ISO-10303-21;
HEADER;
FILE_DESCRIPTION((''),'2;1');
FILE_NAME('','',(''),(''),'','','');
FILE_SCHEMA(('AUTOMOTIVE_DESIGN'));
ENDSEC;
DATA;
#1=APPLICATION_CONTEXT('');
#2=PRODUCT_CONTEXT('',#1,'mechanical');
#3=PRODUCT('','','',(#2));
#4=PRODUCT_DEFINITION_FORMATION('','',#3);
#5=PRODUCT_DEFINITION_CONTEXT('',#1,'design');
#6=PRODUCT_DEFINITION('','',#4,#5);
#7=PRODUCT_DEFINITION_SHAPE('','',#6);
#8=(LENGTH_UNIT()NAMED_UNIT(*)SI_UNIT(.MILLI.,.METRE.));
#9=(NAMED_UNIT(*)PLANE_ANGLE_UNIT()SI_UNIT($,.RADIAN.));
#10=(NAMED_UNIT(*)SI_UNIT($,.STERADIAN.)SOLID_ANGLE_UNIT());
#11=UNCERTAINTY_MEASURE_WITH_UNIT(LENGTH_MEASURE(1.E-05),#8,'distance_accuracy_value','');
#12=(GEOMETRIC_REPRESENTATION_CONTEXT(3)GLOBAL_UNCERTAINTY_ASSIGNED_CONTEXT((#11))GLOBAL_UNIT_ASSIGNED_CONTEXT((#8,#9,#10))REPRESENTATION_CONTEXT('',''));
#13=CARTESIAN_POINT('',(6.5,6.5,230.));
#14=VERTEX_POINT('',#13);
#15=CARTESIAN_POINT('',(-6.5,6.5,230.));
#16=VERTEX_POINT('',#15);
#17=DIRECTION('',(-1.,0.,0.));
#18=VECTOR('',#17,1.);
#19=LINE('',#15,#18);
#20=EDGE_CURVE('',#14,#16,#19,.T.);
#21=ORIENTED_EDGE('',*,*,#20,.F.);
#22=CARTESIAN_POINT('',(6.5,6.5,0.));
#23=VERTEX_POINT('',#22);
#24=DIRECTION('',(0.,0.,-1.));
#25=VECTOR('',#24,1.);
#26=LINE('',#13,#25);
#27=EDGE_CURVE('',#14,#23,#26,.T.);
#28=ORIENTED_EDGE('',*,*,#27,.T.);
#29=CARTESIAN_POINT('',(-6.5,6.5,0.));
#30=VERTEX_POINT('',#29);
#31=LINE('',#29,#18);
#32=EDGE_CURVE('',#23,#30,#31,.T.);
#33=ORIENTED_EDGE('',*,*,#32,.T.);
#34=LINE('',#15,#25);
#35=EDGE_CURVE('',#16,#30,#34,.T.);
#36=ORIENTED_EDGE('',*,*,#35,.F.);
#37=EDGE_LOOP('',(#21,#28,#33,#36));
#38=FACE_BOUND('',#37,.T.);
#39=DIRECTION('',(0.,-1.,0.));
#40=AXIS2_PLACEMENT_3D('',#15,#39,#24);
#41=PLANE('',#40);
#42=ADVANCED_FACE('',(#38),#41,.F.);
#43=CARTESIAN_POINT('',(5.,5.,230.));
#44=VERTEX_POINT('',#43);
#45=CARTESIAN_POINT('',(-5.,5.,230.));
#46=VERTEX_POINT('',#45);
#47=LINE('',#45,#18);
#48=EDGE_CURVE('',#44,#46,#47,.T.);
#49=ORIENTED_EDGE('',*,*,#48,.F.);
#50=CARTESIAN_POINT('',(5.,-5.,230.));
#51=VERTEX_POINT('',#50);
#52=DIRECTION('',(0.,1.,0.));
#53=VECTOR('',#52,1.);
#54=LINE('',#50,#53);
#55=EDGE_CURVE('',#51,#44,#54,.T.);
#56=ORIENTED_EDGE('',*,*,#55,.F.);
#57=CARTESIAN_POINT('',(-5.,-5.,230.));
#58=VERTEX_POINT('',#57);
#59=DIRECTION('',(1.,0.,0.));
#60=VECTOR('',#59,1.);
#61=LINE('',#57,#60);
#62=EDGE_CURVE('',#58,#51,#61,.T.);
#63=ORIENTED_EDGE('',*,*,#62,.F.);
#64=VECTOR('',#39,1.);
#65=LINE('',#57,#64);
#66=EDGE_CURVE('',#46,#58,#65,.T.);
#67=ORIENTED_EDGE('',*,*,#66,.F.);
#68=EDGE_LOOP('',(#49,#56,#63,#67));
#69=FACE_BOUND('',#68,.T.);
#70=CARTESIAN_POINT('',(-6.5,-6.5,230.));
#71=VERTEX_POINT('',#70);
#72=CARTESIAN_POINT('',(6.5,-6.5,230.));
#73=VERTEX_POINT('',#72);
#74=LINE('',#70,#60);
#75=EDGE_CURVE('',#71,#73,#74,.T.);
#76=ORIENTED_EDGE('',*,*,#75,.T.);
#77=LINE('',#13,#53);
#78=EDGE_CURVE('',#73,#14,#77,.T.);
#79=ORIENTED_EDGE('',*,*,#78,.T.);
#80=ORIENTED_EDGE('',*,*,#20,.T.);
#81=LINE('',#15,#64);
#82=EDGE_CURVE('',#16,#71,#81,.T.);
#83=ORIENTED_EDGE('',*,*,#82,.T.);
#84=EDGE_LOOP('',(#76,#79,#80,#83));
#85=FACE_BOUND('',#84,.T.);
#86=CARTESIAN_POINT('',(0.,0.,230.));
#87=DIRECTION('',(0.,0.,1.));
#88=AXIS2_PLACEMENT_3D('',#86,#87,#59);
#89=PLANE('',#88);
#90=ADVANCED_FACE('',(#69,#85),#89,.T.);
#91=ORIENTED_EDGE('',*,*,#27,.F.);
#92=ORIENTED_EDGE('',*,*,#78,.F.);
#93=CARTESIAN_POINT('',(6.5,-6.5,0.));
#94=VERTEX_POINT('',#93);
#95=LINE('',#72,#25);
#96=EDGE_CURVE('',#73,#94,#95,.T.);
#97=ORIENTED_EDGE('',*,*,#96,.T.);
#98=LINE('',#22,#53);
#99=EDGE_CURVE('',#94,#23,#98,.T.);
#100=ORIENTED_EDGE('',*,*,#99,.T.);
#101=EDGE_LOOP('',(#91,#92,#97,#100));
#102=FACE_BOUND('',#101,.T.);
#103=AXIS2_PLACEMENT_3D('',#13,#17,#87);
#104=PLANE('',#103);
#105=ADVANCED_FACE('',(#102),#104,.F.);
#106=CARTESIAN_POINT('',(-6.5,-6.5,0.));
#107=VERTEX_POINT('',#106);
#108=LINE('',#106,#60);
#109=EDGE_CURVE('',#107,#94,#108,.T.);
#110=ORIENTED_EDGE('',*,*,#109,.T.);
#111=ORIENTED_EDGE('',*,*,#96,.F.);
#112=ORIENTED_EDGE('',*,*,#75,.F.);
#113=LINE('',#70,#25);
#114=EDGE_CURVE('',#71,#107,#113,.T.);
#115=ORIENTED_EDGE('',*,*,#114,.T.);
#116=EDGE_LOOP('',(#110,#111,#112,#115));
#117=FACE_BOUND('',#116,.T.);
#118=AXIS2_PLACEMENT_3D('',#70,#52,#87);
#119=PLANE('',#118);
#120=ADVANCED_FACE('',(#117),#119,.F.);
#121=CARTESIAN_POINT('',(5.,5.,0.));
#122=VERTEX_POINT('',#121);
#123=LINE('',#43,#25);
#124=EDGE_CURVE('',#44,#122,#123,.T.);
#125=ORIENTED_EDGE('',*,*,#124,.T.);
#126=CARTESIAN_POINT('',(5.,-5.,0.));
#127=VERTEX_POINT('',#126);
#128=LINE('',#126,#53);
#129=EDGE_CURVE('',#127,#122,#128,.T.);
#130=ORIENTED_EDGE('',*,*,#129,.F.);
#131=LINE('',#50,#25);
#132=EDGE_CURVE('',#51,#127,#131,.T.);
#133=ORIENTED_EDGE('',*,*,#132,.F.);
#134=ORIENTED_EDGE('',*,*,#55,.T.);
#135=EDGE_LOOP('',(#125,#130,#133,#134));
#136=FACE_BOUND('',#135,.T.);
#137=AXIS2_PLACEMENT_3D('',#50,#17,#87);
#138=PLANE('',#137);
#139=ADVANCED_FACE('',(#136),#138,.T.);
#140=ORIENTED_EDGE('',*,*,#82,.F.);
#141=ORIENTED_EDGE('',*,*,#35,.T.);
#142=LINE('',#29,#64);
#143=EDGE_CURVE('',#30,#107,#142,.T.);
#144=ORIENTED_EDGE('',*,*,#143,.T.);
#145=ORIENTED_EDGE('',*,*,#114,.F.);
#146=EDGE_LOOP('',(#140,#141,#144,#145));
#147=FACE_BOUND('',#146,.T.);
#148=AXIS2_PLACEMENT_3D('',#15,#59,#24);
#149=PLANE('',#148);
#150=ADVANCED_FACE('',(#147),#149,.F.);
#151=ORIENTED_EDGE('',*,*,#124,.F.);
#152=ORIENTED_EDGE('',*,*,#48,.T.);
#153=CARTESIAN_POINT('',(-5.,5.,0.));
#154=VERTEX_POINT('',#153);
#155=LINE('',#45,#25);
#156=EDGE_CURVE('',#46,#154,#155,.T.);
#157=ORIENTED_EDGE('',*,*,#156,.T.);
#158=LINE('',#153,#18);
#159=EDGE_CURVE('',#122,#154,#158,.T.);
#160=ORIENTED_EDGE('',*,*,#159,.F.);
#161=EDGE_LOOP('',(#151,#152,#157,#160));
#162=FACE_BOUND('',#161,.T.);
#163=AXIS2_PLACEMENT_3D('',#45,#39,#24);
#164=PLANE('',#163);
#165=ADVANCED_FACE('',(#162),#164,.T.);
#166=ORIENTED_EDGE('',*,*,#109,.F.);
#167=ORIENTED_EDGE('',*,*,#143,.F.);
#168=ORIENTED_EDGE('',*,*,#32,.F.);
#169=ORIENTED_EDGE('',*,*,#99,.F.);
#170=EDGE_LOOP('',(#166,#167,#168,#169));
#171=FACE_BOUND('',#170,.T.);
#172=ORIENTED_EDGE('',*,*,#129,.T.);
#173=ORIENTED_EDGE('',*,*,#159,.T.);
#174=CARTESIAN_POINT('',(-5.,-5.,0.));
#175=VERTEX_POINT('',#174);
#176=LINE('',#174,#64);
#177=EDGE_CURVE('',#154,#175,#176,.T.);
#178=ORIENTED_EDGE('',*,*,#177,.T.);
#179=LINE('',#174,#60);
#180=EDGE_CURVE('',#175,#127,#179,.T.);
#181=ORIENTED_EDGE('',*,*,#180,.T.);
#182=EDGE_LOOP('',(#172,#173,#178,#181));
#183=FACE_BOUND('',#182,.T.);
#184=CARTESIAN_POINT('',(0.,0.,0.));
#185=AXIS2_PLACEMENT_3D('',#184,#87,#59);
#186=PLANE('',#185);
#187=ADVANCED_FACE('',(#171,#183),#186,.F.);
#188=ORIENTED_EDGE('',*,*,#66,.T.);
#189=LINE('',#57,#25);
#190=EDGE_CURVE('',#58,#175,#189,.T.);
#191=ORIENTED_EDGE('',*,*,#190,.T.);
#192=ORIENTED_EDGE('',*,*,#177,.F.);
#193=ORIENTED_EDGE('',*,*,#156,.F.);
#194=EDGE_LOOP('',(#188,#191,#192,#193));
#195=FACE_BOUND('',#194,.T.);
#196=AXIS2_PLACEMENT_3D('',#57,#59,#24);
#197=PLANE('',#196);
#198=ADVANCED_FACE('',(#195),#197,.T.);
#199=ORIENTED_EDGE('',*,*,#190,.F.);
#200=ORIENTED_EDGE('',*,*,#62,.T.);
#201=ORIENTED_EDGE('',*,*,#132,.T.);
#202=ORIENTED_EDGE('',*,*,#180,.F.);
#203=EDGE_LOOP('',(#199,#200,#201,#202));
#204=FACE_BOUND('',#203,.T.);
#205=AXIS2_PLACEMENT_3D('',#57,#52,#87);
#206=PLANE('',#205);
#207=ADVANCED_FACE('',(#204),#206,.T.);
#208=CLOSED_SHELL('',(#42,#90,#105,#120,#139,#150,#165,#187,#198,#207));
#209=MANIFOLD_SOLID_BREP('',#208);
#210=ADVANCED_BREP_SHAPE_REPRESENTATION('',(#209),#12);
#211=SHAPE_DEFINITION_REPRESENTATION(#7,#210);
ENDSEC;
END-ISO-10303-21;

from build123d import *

# Parameters (mm, degrees)
SKETCH1_W           = 13
SKETCH1_H           = 13
SKETCH1_W_2         = 10
SKETCH1_H_2         = 10
BOSS_EXTRUDE1_DEPTH = 230


with BuildPart() as part:
    # Sketch1 → Boss-Extrude1 (new body)
    with BuildSketch(Plane.XY):
        Rectangle(SKETCH1_W, SKETCH1_H)
        Rectangle(SKETCH1_W_2, SKETCH1_H_2, mode=Mode.SUBTRACT)
    extrude(amount=BOSS_EXTRUDE1_DEPTH)


solid = part.part
